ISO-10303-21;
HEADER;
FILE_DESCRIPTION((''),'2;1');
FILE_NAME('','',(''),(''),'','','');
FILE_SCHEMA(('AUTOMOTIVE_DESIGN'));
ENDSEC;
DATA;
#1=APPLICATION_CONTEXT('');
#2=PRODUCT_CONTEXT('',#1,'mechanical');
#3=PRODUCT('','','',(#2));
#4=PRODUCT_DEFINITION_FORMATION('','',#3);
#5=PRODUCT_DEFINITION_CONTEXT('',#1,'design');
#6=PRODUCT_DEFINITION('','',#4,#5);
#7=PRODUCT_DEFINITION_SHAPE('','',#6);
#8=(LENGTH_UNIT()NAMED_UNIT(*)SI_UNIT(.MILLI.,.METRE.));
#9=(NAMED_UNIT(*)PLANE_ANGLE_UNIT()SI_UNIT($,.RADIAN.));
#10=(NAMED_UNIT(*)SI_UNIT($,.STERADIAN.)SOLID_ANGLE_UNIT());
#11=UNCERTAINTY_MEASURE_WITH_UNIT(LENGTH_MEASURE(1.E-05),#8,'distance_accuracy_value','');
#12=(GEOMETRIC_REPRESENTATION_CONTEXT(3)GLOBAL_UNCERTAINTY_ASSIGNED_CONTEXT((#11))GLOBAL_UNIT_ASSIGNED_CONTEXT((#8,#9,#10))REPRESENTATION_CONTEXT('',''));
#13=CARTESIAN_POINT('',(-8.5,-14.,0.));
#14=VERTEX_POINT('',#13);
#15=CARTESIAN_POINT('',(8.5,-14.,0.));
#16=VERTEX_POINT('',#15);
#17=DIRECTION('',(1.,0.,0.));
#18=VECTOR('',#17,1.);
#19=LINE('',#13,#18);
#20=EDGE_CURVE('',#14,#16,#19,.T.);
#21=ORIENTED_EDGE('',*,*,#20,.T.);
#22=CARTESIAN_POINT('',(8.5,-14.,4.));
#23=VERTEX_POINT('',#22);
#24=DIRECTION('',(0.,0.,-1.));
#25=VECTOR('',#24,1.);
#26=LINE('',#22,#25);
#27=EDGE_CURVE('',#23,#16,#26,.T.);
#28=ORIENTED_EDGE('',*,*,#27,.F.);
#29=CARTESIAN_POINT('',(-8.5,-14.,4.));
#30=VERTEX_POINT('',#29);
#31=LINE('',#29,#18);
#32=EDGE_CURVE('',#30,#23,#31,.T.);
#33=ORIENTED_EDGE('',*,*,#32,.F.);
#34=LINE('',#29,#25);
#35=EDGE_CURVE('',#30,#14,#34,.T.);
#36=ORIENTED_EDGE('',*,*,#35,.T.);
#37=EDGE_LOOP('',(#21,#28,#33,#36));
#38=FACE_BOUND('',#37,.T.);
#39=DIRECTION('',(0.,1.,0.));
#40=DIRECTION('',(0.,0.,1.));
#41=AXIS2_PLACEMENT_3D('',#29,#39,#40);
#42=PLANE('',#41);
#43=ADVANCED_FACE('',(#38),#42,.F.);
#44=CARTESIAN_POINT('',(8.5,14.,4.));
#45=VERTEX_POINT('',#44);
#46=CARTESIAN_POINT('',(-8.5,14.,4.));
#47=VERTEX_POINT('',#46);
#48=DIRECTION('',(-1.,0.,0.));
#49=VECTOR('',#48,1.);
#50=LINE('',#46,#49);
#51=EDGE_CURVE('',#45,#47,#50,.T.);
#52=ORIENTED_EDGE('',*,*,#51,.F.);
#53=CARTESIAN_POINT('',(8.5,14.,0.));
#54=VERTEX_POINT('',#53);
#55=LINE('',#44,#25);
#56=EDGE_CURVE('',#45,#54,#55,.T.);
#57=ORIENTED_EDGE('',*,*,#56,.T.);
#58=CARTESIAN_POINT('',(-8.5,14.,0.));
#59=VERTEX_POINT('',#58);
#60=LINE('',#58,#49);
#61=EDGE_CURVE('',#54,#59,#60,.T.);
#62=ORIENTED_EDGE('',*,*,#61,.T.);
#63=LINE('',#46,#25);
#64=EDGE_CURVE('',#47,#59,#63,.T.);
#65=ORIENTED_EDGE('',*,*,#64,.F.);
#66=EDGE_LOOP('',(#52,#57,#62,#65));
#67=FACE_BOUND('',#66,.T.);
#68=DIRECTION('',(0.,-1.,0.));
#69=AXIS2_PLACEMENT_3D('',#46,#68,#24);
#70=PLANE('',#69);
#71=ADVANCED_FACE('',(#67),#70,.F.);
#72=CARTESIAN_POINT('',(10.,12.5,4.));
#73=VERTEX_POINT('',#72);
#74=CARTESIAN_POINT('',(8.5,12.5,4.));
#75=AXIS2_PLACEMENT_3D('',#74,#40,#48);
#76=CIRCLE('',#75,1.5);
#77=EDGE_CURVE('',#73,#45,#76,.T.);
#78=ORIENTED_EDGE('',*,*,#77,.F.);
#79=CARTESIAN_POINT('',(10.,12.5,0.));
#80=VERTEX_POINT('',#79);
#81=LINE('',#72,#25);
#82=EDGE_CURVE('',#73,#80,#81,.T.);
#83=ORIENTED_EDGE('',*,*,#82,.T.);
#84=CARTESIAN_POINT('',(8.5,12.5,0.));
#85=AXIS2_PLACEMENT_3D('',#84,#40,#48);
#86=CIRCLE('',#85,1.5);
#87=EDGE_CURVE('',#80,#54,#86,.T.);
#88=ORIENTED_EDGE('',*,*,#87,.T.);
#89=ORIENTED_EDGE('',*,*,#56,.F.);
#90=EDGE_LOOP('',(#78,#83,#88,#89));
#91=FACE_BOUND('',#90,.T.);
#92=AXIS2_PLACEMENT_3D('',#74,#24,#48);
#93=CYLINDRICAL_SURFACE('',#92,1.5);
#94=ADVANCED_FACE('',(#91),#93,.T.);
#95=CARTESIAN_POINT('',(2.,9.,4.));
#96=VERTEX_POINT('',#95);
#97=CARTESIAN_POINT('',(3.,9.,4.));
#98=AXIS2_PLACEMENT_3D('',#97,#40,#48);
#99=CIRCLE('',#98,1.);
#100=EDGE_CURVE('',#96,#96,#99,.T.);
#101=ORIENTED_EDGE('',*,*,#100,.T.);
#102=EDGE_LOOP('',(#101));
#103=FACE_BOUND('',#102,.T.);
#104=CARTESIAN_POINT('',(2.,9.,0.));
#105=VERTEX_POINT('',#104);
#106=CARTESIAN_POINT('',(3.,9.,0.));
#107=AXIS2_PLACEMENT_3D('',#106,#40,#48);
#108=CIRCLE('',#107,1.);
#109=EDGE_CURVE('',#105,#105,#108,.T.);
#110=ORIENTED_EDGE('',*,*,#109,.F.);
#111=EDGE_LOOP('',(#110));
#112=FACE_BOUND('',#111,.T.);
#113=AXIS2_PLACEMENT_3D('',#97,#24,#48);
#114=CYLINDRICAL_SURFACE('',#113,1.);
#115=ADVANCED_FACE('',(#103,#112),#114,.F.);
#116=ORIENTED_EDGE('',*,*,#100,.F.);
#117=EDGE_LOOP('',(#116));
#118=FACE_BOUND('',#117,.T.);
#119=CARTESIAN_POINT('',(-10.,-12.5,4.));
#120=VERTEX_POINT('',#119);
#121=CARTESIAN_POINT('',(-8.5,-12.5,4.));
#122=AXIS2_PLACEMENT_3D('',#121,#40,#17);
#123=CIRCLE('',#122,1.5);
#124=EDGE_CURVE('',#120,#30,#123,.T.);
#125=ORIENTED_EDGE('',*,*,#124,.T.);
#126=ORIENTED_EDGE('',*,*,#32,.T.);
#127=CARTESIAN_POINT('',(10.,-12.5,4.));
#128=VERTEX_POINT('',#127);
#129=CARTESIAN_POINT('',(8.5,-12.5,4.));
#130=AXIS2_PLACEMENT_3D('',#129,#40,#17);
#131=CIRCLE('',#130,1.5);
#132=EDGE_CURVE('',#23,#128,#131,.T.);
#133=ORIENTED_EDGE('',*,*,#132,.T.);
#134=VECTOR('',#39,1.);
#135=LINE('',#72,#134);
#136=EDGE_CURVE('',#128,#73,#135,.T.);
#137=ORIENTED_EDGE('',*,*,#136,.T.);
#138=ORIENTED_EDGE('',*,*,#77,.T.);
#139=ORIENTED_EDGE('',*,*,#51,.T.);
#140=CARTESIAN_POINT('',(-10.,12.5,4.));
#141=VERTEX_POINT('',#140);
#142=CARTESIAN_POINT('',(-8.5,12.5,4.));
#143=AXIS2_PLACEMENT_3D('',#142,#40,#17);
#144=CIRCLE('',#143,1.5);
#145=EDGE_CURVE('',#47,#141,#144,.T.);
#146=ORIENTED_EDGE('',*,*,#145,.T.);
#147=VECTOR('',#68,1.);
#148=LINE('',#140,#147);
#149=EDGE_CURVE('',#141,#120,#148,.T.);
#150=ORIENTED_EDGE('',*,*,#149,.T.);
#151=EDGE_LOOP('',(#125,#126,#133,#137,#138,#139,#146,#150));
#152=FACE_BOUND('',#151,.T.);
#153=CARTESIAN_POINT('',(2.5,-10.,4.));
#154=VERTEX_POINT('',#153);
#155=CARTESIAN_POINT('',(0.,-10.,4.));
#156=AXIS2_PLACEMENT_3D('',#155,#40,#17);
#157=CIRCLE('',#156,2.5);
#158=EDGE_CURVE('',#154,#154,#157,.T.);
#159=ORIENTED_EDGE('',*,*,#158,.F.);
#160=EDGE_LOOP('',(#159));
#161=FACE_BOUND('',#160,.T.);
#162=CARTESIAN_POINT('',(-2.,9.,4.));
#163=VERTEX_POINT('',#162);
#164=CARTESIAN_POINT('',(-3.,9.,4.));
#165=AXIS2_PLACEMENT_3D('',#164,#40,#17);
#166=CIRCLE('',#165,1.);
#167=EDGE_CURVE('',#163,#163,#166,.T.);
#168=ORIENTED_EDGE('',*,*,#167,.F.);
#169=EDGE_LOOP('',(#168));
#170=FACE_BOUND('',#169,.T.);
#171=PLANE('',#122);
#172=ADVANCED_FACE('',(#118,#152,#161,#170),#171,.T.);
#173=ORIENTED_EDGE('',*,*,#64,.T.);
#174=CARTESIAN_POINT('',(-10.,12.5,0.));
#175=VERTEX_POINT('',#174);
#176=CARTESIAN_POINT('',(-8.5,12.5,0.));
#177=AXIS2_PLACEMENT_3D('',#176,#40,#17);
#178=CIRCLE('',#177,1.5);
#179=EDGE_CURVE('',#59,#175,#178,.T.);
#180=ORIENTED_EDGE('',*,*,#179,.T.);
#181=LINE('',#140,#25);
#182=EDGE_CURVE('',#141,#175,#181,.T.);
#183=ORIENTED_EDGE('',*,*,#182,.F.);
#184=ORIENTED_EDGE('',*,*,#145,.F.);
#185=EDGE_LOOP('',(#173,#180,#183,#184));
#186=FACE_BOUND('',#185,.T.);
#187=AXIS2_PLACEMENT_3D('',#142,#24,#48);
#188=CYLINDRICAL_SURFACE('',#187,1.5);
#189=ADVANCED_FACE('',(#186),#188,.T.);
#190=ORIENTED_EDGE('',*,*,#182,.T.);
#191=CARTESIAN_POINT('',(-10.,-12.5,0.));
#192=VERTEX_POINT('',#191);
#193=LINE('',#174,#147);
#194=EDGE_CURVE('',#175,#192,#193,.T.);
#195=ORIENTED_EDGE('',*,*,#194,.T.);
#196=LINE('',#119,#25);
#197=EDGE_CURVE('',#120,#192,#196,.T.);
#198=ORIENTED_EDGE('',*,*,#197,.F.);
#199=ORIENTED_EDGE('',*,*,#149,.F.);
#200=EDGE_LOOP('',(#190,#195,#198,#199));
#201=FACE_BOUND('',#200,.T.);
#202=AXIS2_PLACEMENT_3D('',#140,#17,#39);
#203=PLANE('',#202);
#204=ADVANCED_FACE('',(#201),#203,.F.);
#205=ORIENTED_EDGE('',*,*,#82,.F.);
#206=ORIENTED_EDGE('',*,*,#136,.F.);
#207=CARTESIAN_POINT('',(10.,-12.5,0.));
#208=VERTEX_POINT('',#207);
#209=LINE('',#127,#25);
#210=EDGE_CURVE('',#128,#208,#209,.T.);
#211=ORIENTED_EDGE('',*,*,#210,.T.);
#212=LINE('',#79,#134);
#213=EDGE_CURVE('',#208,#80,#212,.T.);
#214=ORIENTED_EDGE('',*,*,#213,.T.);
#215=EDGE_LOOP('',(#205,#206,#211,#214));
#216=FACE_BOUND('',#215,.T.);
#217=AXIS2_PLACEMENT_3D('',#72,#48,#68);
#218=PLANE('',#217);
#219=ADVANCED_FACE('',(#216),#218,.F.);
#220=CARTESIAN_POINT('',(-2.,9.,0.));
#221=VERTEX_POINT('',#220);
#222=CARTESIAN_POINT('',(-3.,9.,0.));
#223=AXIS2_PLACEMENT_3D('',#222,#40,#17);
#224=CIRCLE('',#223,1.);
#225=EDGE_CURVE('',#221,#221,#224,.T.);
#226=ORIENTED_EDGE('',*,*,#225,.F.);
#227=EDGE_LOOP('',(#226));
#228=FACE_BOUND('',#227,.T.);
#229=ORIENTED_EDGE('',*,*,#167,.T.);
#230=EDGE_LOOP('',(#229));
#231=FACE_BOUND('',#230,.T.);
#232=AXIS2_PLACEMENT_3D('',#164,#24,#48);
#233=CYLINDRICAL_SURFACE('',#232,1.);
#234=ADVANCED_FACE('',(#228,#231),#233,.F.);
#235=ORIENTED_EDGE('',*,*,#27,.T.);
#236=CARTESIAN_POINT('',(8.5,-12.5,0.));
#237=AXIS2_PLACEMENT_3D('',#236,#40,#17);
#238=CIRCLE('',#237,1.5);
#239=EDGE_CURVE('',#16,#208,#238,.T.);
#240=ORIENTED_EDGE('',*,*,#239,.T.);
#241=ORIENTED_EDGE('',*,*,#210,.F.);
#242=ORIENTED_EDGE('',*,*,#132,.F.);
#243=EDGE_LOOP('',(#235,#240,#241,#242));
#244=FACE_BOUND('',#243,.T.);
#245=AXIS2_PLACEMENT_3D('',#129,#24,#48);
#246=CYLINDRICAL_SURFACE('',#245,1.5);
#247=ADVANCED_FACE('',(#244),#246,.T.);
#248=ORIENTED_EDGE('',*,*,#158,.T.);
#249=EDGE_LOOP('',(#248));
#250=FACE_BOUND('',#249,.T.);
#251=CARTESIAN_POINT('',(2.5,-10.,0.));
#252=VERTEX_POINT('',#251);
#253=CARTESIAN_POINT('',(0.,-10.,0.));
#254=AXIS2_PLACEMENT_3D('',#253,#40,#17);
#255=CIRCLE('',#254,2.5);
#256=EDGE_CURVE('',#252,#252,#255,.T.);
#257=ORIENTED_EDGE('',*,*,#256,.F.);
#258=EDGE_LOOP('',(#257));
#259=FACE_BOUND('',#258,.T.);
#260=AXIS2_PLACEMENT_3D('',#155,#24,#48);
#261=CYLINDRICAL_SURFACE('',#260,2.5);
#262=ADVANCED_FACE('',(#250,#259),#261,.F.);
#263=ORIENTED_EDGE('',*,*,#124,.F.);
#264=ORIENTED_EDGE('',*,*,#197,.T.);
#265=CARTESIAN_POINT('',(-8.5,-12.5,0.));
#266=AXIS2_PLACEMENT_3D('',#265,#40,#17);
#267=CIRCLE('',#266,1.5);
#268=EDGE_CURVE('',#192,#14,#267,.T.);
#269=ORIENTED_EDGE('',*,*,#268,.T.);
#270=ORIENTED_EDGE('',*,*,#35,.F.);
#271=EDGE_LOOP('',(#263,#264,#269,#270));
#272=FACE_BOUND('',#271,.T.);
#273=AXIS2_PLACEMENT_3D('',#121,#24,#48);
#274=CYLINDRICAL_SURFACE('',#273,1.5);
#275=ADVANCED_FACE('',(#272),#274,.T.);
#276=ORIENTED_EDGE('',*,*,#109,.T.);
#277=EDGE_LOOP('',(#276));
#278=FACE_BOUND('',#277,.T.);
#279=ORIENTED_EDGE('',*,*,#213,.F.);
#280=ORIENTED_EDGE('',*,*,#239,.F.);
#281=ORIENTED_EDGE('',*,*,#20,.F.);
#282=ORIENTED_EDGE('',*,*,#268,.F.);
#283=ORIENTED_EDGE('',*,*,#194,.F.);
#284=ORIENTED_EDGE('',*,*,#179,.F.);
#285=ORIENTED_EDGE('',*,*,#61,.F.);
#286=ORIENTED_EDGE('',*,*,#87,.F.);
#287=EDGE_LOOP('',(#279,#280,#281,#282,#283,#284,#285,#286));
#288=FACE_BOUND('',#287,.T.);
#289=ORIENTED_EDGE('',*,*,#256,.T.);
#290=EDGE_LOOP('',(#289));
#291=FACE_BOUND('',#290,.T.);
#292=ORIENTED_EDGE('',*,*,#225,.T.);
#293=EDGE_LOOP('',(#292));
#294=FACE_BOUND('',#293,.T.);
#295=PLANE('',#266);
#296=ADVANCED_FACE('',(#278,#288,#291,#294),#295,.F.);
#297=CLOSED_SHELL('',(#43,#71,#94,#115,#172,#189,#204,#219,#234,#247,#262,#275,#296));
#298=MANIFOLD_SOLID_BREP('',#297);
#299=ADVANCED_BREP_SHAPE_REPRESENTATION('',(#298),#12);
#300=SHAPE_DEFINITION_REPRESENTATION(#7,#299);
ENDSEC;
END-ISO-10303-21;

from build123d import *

# Parameters (mm, degrees)
SKETCH1_R           = 2.5
SKETCH1_R_2         = 1
BOSS_EXTRUDE1_DEPTH = 4


with BuildPart() as part:
    # Sketch1 → Boss-Extrude1 (new body)
    with BuildSketch(Plane.XY):
        with BuildLine():
            Line((-8.5, 14), (8.5, 14))
            ThreePointArc((8.5, 14), (9.560660172, 13.560660172), (10, 12.5))
            Line((10, 12.5), (10, -12.5))
            ThreePointArc((10, -12.5), (9.560660172, -13.560660172), (8.5, -14))
            Line((8.5, -14), (-8.5, -14))
            ThreePointArc((-8.5, -14), (-9.560660172, -13.560660172), (-10, -12.5))
            Line((-10, -12.5), (-10, 12.5))
            ThreePointArc((-10, 12.5), (-9.560660172, 13.560660172), (-8.5, 14))
        make_face()
        with Locations((0, -10)):
            Circle(SKETCH1_R, mode=Mode.SUBTRACT)
        with Locations((-3, 9)):
            Circle(SKETCH1_R_2, mode=Mode.SUBTRACT)
        with Locations((3, 9)):
            Circle(SKETCH1_R_2, mode=Mode.SUBTRACT)
    extrude(amount=BOSS_EXTRUDE1_DEPTH)


solid = part.part
